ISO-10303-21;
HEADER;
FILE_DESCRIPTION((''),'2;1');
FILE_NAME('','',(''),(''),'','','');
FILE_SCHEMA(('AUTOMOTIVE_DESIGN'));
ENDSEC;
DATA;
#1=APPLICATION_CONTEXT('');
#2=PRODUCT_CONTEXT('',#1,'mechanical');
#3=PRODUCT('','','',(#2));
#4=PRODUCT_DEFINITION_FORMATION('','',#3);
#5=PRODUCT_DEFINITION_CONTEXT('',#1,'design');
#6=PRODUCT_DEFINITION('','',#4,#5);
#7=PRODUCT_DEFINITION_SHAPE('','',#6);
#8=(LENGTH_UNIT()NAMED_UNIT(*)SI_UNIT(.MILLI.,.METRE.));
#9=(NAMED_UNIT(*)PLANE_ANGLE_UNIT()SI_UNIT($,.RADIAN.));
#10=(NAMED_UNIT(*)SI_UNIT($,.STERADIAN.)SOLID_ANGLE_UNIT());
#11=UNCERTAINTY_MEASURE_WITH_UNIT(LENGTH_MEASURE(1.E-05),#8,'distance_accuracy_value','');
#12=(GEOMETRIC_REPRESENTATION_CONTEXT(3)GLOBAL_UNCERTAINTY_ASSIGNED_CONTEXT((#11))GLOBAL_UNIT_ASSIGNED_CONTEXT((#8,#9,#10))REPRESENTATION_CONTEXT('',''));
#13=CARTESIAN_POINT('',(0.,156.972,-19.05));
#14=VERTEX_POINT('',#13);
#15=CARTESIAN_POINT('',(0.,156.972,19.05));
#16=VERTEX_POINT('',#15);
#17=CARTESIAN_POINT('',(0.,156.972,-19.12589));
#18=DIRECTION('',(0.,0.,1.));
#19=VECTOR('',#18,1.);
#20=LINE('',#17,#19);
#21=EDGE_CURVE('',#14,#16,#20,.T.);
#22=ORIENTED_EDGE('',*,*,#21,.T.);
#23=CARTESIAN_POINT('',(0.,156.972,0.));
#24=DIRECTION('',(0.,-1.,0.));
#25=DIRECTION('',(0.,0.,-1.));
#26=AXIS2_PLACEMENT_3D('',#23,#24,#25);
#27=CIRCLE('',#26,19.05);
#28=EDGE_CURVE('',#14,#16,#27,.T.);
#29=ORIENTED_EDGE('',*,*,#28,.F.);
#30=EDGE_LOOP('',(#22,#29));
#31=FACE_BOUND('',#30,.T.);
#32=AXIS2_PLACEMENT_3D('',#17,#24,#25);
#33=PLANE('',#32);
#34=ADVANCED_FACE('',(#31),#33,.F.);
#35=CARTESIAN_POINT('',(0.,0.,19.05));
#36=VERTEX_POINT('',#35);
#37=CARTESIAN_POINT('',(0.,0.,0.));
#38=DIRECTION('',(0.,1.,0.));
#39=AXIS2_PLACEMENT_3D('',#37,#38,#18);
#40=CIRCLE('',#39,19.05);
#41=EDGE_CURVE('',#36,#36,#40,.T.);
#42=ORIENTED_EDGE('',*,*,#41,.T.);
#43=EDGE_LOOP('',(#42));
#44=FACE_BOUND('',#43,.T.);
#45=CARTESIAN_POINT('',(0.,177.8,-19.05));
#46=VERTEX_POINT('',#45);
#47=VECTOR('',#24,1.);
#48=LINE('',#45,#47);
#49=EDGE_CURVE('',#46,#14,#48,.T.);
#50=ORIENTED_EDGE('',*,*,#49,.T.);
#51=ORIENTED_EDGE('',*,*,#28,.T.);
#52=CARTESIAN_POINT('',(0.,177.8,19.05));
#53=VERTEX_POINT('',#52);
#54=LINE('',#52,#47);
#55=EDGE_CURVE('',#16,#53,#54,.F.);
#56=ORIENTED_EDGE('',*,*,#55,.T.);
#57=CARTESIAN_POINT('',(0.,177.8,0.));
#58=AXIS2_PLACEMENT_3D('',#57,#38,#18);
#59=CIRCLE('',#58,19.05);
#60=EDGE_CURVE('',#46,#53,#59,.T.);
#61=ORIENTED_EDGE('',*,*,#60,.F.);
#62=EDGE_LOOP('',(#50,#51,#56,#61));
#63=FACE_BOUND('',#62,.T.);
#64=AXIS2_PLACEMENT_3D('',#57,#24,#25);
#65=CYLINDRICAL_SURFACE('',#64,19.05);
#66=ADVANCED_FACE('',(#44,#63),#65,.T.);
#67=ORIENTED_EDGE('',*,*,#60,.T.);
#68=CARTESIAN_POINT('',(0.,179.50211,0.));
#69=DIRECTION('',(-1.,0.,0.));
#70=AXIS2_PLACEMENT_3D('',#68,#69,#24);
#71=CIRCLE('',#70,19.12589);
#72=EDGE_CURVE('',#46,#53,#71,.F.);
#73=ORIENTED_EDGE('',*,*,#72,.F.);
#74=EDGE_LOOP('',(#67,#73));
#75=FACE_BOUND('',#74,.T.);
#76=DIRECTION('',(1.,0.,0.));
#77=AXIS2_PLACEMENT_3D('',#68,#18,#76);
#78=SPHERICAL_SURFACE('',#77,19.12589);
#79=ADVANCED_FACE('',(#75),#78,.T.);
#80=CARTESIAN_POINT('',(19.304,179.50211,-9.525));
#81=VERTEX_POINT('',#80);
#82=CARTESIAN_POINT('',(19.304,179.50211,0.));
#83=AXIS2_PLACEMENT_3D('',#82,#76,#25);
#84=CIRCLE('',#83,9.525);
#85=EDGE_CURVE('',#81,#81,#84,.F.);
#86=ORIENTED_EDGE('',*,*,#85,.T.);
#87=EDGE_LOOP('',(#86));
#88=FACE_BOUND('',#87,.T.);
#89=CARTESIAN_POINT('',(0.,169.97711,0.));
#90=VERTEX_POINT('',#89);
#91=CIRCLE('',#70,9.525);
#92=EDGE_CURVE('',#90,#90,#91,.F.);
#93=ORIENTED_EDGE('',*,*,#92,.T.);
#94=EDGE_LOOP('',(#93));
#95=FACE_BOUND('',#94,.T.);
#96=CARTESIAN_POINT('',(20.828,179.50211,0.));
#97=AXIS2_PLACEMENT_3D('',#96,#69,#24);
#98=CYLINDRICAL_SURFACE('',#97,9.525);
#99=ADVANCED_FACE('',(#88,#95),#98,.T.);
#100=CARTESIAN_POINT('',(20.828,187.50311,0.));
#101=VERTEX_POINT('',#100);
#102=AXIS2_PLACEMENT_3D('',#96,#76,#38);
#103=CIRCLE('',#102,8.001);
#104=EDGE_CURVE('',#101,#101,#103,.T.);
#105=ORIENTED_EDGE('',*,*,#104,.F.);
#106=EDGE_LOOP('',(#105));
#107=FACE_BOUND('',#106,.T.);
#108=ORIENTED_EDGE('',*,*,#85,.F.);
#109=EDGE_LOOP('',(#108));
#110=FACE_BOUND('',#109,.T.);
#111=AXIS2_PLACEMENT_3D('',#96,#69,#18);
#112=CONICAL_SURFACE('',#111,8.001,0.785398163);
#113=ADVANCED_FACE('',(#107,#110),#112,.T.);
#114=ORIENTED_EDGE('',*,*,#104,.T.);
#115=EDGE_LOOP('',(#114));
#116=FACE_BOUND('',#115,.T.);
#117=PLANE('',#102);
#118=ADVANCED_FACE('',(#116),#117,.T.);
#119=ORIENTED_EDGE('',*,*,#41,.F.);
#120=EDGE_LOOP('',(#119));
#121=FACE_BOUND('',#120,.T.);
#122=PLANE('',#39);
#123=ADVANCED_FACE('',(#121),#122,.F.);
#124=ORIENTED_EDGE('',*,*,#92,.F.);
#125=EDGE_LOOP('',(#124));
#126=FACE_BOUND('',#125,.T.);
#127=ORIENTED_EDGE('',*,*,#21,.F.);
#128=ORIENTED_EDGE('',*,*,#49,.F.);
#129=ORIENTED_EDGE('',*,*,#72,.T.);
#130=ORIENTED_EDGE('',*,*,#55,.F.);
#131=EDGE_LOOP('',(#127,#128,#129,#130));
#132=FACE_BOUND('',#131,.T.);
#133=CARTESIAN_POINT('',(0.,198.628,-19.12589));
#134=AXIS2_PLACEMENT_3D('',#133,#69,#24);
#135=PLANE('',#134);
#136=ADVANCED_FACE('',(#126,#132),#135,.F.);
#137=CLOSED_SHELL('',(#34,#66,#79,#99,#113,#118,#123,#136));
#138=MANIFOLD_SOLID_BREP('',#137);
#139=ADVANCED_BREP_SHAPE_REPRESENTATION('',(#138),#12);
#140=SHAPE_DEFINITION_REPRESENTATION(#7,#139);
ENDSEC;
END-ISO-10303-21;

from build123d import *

# Parameters (mm, degrees)
SKETCH1_R               = 19.05
BOSS_EXTRUDE1_DEPTH     = 177.8
DOME1_FACE_RADIUS       = 19.05
DOME1_HEIGHT            = 20.828
CUT_EXTRUDE1_DEPTH      = 201.461172648
CUT_EXTRUDE1_DEPTH_BACK = 201.461172648
SKETCH2_W               = 31.75
SKETCH2_H               = 41.656
SKETCH3_R               = 9.525
BOSS_EXTRUDE2_DEPTH     = 20.828
CHAMFER1_SIZE           = 1.524


with BuildPart() as part:
    # Sketch1 → Boss-Extrude1 (new body)
    with BuildSketch(Plane(origin=(0, 0, 0), x_dir=(1, 0, 0), z_dir=(0, 1, 0))):
        with Locations(Location((0, 0, 0), (0, 0, 270))):
            Circle(SKETCH1_R)
    extrude(amount=BOSS_EXTRUDE1_DEPTH)

    # Dome1: a dome of height H over a round flat face of radius A is a cap of a sphere of radius (A * A + H * H) / (2 * H)
    dome1_r = (DOME1_FACE_RADIUS * DOME1_FACE_RADIUS + DOME1_HEIGHT * DOME1_HEIGHT) / (2 * DOME1_HEIGHT)
    dome1_base = Plane((0, 177.8, 0), z_dir=(0, 1, 0))
    with Locations(dome1_base.offset(DOME1_HEIGHT - dome1_r)):
        dome1_ball = Sphere(dome1_r, mode=Mode.PRIVATE)
    add(split(dome1_ball, bisect_by=dome1_base, keep=Keep.TOP, mode=Mode.PRIVATE))

    # Sketch2 → Cut-Extrude1 (cut, two sides: drawn at the far end of the back side and taken through both)
    with BuildSketch(Plane.XY.offset(-CUT_EXTRUDE1_DEPTH_BACK)):
        with Locations((15.875, 177.8)):
            Rectangle(SKETCH2_W, SKETCH2_H)
    extrude(amount=CUT_EXTRUDE1_DEPTH + CUT_EXTRUDE1_DEPTH_BACK, mode=Mode.SUBTRACT)

    # Sketch3 → Boss-Extrude2 (add)
    with BuildSketch(Plane(origin=(0, 0, 0), x_dir=(0, 0, -1), z_dir=(1, 0, 0))):
        with Locations(Location((0, 179.502109756, 0), (0, 0, 270))):
            Circle(SKETCH3_R)
    extrude(amount=BOSS_EXTRUDE2_DEPTH)

    # Chamfer1
    chamfer1_edges = [part.edges().sort_by_distance(p)[0] for p in [
        (20.828, 189.027109756, 0),
    ]]
    chamfer(chamfer1_edges, length=CHAMFER1_SIZE)


solid = part.part
